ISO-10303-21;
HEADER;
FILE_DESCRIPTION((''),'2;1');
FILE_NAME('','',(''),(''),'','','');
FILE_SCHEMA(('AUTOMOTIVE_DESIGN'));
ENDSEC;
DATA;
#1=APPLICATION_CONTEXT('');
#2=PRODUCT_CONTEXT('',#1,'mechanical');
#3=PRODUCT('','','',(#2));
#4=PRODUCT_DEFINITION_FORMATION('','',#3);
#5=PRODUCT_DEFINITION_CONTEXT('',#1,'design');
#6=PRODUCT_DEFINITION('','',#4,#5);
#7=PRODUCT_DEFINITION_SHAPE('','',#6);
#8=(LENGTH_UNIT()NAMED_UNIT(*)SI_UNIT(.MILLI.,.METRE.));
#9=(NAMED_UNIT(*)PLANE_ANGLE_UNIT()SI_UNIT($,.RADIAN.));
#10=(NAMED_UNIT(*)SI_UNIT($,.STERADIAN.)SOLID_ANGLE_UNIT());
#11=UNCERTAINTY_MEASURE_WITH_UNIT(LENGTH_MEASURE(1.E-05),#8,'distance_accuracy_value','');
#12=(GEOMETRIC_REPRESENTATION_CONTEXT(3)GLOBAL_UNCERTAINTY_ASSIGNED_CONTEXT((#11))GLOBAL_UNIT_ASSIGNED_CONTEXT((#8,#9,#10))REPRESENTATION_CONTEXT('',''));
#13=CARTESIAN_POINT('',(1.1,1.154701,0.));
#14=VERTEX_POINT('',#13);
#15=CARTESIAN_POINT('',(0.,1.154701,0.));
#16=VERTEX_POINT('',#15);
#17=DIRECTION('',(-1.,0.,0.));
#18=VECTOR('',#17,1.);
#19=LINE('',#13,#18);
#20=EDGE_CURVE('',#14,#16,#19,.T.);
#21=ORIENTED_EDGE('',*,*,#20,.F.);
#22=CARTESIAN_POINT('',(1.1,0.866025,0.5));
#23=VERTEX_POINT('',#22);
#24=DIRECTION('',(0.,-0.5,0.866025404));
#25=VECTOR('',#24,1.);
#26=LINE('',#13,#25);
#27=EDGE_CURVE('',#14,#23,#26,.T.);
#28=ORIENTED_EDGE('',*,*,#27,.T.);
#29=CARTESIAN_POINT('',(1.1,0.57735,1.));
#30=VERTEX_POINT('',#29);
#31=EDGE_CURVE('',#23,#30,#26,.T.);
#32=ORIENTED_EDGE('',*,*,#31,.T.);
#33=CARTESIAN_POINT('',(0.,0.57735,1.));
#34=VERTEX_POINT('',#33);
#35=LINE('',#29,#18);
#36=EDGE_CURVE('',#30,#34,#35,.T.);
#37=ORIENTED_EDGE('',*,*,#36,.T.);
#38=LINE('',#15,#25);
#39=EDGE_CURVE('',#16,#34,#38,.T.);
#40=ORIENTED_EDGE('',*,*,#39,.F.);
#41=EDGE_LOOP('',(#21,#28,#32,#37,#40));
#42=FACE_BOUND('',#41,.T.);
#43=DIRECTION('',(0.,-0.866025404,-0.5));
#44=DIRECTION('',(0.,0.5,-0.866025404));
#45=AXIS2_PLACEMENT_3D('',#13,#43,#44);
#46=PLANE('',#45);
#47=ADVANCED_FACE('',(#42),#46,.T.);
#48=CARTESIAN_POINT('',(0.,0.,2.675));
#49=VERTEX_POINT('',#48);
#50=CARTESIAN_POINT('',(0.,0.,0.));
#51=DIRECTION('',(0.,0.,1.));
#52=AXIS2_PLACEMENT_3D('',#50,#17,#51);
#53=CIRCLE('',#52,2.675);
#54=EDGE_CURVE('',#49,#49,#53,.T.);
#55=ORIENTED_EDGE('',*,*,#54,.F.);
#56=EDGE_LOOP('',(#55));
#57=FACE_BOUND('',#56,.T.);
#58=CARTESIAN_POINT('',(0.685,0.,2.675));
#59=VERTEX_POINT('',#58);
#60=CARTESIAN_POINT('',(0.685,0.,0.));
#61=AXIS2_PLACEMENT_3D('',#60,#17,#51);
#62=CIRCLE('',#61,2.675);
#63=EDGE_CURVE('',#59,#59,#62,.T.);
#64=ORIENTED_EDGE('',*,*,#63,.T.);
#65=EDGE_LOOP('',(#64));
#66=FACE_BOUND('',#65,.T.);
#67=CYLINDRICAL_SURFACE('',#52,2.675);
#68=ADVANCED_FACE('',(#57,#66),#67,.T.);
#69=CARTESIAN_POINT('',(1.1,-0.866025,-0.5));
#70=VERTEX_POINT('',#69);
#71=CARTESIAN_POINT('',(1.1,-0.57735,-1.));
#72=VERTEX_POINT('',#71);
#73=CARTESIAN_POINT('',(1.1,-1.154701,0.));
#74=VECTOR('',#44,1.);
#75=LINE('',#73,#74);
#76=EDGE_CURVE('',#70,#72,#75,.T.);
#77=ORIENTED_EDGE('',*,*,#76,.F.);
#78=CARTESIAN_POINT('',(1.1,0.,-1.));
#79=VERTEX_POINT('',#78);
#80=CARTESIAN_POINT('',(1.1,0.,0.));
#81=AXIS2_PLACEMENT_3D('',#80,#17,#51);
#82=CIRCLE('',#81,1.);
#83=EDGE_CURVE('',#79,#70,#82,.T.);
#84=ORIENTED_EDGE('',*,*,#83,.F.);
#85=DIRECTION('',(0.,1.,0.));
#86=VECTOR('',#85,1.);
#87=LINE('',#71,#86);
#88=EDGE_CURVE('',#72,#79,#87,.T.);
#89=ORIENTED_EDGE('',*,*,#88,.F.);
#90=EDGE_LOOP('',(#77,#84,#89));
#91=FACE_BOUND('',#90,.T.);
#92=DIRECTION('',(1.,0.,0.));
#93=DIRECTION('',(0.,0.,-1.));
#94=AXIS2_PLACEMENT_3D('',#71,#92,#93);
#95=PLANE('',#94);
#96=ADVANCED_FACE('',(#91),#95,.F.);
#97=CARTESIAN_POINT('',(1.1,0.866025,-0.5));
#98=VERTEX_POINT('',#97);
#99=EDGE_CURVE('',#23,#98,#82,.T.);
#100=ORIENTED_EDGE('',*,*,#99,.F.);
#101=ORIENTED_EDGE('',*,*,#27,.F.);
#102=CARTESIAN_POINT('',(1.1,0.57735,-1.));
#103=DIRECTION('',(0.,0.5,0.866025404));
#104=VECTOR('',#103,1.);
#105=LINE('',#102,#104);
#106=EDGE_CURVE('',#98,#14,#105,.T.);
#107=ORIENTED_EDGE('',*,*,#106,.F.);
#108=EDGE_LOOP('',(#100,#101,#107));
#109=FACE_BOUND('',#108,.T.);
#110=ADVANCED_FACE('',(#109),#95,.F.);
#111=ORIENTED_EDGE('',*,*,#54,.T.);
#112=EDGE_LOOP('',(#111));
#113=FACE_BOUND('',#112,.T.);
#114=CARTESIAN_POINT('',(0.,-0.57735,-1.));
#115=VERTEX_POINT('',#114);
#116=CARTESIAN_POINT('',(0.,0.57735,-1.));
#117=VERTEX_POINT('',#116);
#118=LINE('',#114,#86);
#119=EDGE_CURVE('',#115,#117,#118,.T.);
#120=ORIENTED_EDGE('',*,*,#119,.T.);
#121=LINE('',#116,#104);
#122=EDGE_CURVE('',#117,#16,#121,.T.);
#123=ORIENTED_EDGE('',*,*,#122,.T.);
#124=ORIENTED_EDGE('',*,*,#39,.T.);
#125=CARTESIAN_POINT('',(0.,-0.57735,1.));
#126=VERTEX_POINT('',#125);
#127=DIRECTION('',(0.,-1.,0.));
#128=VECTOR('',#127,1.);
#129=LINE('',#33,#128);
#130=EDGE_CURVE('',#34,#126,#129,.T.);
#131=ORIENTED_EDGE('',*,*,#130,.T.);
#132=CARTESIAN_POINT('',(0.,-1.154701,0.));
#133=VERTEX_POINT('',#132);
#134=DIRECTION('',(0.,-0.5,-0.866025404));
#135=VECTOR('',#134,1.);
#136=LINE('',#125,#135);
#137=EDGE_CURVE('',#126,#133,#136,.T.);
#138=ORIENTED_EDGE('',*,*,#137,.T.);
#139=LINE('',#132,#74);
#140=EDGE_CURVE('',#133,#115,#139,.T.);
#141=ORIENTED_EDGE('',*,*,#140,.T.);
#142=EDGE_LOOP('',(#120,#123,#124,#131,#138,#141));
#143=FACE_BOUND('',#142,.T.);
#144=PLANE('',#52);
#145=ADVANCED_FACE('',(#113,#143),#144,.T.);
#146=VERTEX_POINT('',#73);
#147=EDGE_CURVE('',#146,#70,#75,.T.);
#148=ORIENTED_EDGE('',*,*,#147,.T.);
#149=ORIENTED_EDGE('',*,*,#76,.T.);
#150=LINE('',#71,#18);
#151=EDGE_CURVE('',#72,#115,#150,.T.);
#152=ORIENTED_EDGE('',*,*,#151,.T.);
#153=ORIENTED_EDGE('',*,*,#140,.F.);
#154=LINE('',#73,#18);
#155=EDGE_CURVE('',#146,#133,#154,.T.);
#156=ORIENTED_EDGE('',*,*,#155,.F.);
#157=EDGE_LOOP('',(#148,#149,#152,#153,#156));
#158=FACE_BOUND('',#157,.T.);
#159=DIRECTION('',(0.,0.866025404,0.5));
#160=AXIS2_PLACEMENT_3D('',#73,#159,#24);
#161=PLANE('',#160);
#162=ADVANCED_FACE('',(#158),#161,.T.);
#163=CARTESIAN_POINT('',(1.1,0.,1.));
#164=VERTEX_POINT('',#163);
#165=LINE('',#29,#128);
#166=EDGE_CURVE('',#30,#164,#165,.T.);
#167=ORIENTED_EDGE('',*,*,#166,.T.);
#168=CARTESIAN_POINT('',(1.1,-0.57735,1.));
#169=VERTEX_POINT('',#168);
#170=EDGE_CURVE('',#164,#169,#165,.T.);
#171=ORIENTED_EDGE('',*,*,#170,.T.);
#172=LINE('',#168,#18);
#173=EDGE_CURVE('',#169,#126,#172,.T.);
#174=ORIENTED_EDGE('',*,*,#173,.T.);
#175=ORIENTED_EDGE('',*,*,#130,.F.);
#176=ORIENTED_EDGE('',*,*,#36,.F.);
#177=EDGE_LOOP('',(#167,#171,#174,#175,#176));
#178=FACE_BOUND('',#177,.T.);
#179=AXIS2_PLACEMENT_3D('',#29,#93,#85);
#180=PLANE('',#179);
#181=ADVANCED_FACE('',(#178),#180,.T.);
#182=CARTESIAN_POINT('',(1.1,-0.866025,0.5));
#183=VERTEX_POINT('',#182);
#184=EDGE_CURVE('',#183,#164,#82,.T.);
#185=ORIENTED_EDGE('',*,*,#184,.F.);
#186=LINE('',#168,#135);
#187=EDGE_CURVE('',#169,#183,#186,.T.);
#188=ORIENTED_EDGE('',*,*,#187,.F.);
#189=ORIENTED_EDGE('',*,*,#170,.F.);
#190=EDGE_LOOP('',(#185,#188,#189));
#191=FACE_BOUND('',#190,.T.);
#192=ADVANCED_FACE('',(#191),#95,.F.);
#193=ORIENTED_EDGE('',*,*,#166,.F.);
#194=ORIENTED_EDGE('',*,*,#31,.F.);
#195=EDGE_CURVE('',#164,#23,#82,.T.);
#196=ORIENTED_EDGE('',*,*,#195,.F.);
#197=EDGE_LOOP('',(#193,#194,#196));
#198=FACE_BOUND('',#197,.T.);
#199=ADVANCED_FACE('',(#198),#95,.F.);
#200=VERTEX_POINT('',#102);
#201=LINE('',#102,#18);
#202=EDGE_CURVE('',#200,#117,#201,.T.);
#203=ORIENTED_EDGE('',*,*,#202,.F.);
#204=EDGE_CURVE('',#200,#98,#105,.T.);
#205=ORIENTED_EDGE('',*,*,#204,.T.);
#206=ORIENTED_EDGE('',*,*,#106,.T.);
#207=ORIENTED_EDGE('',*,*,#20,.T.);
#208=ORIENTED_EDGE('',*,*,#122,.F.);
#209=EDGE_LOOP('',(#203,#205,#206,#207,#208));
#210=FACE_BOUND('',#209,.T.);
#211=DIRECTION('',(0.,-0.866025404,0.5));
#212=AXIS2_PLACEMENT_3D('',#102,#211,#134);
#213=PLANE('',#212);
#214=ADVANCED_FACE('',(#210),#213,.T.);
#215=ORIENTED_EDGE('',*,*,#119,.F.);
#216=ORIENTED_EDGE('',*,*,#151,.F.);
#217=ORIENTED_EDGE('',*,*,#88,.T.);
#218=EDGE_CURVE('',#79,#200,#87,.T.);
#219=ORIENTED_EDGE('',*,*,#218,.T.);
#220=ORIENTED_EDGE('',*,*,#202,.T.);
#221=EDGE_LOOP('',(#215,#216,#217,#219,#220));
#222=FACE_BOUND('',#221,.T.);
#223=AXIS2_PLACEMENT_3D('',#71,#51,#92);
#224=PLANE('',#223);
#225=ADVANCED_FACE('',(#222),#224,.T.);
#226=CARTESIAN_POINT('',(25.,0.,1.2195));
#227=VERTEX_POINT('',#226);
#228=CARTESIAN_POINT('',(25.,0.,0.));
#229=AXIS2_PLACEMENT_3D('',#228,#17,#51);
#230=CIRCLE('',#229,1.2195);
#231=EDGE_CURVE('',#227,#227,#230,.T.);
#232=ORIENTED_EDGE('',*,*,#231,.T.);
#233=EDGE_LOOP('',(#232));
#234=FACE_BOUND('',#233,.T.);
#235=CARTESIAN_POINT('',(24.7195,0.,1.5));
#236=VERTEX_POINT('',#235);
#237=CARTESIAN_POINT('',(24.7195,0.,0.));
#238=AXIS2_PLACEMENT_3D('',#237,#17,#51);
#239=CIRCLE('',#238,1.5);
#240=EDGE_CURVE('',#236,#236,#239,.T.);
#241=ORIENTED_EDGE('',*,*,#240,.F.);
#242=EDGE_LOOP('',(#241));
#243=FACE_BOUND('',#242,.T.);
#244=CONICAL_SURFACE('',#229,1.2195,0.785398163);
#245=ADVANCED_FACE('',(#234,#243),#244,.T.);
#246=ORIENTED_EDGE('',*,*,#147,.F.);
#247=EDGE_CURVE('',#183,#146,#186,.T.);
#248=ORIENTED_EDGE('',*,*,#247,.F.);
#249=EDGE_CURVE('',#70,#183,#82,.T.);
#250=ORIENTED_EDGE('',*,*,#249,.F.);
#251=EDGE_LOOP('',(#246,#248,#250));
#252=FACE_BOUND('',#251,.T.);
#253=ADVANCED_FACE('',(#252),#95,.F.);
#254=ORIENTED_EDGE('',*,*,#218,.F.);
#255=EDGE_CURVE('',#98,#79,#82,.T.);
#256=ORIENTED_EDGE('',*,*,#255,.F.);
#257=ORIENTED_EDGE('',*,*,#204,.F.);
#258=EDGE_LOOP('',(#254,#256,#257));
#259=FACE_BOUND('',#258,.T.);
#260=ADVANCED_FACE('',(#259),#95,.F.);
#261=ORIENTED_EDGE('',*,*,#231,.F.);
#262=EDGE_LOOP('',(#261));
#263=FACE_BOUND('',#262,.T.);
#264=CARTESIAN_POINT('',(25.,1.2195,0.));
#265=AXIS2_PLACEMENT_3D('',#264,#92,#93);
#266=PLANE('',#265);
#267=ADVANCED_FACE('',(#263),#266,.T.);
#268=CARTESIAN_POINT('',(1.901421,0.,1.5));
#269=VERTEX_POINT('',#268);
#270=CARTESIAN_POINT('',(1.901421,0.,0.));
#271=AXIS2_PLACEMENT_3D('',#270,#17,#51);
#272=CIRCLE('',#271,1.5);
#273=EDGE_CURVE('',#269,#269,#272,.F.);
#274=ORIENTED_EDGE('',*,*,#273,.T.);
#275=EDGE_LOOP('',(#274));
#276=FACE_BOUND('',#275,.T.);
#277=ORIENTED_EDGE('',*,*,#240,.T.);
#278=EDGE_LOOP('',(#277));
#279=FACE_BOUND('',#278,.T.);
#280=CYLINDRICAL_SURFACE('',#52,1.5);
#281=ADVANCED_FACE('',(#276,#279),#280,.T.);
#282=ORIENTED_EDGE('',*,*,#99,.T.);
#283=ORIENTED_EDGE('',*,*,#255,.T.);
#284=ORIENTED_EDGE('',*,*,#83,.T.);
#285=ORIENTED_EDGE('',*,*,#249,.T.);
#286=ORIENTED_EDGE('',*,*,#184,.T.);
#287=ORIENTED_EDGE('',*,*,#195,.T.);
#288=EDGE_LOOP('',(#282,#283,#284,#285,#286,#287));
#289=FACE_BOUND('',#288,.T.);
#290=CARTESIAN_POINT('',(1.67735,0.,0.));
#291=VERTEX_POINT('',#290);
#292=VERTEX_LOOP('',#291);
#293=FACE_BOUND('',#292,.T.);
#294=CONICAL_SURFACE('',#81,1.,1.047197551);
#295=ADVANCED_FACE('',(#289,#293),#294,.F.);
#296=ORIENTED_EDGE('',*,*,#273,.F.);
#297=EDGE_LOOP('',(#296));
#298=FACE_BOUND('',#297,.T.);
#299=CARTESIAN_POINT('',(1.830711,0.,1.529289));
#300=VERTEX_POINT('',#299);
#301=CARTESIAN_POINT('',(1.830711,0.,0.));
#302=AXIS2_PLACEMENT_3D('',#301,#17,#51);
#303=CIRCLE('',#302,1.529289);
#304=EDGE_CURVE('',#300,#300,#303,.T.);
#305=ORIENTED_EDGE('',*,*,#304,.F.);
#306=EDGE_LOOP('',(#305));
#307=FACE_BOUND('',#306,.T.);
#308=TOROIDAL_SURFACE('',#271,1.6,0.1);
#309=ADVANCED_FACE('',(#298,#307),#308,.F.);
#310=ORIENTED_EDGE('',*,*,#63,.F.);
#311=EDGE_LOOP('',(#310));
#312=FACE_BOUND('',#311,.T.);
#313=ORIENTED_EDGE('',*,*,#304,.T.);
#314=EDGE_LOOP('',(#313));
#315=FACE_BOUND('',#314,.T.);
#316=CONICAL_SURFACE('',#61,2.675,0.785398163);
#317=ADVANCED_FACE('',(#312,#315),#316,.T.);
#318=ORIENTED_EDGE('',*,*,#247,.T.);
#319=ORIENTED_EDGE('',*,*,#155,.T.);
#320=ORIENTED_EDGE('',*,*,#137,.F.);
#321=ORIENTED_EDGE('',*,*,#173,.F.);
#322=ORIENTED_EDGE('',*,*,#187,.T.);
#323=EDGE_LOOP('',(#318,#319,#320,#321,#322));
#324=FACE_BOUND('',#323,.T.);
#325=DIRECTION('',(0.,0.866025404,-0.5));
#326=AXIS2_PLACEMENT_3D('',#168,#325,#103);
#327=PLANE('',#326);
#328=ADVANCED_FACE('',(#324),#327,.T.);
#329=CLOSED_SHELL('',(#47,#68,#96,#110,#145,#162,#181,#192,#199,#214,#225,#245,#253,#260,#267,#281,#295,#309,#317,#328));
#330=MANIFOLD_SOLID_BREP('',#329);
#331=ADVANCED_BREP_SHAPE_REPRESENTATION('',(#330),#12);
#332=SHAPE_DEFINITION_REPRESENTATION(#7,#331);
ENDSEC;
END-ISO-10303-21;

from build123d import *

# Parameters (mm, degrees)
FILLET1_R   = 0.1
HEX_2_DEPTH = 1.1


with BuildPart() as part:
    # BodySke → BaseBody (revolve)
    with BuildSketch(Plane.XY):
        Polygon((0, 0), (0, 2.675), (0.685, 2.675), (1.86, 1.5), (24.7195, 1.5), (25, 1.2195), (25, 0), align=None)
    revolve(axis=Axis((0, 0, 0), (1, 0, 0)))

    # Fillet1
    fillet1_edges = [part.edges().sort_by_distance(p)[0] for p in [
        (1.86, -1.5, 0),
    ]]
    fillet(fillet1_edges, radius=FILLET1_R)

    # Sketch2 → PreBroach (revolve, cut)
    with BuildSketch(Plane.XY):
        Polygon((0, 1), (1.1, 1), (1.677350269, 0), (0, 0), align=None)
    revolve(axis=Axis((0, 0, 0), (1, 0, 0)), mode=Mode.SUBTRACT)

    # Sketch3 → Hex 2 (cut)
    with BuildSketch(Plane.ZY):
        Polygon((-1, -0.577350269), (-1, 0.577350269), (0, 1.154700538), (1, 0.577350269), (1, -0.577350269), (0, -1.154700538), align=None)
    extrude(amount=-HEX_2_DEPTH, mode=Mode.SUBTRACT)


solid = part.part
